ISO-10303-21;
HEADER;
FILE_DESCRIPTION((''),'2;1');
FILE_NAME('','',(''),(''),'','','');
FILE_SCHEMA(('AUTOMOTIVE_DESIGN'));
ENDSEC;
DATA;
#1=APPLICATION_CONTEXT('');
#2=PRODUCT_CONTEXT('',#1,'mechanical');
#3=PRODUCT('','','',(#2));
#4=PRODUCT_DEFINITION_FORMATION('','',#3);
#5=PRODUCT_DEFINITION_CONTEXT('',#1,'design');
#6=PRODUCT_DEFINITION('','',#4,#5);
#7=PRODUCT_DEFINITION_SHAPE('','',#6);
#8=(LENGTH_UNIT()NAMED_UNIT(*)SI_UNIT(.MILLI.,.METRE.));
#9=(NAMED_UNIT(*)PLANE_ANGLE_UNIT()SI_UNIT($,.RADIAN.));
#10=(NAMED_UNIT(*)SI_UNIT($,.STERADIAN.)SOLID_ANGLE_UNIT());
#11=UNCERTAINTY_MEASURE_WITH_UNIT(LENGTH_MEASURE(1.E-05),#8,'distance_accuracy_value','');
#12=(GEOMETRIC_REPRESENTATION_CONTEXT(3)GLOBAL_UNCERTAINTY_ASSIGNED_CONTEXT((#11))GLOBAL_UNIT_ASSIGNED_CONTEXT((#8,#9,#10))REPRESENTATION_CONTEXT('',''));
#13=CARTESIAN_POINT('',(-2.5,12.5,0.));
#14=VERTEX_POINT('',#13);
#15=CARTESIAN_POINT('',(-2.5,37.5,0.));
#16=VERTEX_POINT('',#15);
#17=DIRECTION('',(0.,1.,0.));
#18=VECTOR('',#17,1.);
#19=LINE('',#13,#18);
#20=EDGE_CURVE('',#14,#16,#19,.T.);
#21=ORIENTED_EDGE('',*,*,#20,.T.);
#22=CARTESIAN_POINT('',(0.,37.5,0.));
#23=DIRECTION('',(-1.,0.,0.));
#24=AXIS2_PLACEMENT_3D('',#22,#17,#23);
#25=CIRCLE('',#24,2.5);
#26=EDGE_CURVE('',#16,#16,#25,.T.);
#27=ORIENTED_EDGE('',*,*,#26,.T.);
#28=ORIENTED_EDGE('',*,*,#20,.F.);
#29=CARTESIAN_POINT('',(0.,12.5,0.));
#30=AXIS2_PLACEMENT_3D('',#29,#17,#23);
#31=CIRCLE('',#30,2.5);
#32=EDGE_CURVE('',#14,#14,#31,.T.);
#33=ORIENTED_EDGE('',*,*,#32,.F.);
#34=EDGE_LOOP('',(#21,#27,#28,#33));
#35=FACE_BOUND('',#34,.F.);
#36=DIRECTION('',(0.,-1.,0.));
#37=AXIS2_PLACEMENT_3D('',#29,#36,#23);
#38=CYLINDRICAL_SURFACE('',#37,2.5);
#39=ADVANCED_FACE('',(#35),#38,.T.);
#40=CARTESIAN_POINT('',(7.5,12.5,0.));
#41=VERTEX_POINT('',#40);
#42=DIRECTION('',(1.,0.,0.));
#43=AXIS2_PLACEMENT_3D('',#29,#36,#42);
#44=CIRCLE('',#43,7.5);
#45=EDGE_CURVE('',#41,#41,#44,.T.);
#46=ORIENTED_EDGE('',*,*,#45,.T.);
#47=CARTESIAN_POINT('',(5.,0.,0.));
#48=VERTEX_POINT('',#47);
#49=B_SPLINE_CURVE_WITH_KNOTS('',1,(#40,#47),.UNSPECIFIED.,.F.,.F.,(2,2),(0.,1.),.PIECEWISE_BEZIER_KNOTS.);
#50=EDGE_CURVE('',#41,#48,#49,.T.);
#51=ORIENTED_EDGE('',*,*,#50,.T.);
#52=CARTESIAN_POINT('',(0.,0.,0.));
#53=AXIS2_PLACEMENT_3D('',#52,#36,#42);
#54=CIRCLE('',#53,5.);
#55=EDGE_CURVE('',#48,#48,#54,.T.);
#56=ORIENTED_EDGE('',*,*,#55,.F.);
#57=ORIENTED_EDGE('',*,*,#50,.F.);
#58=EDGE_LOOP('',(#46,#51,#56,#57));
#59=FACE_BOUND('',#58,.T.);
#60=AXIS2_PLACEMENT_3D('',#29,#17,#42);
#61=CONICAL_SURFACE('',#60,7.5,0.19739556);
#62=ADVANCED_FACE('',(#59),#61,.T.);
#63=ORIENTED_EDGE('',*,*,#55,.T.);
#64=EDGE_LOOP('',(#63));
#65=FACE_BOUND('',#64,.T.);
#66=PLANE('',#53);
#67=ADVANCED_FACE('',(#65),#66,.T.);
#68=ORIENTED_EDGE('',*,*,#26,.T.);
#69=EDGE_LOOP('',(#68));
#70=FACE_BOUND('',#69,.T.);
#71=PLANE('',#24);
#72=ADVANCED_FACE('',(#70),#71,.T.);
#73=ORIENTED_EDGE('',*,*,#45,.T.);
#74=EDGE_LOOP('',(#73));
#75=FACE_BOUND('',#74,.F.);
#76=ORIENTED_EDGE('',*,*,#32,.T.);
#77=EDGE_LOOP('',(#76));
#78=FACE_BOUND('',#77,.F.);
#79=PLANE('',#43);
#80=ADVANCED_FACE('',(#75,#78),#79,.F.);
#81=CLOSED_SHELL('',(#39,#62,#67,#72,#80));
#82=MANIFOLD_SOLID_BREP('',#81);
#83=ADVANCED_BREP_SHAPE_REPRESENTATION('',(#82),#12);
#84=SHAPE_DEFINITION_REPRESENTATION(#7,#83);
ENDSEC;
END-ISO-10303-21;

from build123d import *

# Parameters (mm, degrees)
F2_R     = 7.5
F0_R     = 5
F4_R     = 2.5
F5_DEPTH = 25


with BuildPart() as f3:
    # F2 (on offset) → F3 section 0
    with BuildSketch(Plane.XZ.offset(-12.5)):
        Circle(F2_R)
    # F0 (on Front) → F3 section 1
    with BuildSketch(Plane.XZ):
        Circle(F0_R)
    loft()

    # F4 (on face) → F5 (join)
    with BuildSketch(Plane(origin=(0, 12.5, 0), x_dir=(-1, 0, 0), z_dir=(0, 1, 0))):
        Circle(F4_R)
    extrude(amount=F5_DEPTH)


solid = f3.part
